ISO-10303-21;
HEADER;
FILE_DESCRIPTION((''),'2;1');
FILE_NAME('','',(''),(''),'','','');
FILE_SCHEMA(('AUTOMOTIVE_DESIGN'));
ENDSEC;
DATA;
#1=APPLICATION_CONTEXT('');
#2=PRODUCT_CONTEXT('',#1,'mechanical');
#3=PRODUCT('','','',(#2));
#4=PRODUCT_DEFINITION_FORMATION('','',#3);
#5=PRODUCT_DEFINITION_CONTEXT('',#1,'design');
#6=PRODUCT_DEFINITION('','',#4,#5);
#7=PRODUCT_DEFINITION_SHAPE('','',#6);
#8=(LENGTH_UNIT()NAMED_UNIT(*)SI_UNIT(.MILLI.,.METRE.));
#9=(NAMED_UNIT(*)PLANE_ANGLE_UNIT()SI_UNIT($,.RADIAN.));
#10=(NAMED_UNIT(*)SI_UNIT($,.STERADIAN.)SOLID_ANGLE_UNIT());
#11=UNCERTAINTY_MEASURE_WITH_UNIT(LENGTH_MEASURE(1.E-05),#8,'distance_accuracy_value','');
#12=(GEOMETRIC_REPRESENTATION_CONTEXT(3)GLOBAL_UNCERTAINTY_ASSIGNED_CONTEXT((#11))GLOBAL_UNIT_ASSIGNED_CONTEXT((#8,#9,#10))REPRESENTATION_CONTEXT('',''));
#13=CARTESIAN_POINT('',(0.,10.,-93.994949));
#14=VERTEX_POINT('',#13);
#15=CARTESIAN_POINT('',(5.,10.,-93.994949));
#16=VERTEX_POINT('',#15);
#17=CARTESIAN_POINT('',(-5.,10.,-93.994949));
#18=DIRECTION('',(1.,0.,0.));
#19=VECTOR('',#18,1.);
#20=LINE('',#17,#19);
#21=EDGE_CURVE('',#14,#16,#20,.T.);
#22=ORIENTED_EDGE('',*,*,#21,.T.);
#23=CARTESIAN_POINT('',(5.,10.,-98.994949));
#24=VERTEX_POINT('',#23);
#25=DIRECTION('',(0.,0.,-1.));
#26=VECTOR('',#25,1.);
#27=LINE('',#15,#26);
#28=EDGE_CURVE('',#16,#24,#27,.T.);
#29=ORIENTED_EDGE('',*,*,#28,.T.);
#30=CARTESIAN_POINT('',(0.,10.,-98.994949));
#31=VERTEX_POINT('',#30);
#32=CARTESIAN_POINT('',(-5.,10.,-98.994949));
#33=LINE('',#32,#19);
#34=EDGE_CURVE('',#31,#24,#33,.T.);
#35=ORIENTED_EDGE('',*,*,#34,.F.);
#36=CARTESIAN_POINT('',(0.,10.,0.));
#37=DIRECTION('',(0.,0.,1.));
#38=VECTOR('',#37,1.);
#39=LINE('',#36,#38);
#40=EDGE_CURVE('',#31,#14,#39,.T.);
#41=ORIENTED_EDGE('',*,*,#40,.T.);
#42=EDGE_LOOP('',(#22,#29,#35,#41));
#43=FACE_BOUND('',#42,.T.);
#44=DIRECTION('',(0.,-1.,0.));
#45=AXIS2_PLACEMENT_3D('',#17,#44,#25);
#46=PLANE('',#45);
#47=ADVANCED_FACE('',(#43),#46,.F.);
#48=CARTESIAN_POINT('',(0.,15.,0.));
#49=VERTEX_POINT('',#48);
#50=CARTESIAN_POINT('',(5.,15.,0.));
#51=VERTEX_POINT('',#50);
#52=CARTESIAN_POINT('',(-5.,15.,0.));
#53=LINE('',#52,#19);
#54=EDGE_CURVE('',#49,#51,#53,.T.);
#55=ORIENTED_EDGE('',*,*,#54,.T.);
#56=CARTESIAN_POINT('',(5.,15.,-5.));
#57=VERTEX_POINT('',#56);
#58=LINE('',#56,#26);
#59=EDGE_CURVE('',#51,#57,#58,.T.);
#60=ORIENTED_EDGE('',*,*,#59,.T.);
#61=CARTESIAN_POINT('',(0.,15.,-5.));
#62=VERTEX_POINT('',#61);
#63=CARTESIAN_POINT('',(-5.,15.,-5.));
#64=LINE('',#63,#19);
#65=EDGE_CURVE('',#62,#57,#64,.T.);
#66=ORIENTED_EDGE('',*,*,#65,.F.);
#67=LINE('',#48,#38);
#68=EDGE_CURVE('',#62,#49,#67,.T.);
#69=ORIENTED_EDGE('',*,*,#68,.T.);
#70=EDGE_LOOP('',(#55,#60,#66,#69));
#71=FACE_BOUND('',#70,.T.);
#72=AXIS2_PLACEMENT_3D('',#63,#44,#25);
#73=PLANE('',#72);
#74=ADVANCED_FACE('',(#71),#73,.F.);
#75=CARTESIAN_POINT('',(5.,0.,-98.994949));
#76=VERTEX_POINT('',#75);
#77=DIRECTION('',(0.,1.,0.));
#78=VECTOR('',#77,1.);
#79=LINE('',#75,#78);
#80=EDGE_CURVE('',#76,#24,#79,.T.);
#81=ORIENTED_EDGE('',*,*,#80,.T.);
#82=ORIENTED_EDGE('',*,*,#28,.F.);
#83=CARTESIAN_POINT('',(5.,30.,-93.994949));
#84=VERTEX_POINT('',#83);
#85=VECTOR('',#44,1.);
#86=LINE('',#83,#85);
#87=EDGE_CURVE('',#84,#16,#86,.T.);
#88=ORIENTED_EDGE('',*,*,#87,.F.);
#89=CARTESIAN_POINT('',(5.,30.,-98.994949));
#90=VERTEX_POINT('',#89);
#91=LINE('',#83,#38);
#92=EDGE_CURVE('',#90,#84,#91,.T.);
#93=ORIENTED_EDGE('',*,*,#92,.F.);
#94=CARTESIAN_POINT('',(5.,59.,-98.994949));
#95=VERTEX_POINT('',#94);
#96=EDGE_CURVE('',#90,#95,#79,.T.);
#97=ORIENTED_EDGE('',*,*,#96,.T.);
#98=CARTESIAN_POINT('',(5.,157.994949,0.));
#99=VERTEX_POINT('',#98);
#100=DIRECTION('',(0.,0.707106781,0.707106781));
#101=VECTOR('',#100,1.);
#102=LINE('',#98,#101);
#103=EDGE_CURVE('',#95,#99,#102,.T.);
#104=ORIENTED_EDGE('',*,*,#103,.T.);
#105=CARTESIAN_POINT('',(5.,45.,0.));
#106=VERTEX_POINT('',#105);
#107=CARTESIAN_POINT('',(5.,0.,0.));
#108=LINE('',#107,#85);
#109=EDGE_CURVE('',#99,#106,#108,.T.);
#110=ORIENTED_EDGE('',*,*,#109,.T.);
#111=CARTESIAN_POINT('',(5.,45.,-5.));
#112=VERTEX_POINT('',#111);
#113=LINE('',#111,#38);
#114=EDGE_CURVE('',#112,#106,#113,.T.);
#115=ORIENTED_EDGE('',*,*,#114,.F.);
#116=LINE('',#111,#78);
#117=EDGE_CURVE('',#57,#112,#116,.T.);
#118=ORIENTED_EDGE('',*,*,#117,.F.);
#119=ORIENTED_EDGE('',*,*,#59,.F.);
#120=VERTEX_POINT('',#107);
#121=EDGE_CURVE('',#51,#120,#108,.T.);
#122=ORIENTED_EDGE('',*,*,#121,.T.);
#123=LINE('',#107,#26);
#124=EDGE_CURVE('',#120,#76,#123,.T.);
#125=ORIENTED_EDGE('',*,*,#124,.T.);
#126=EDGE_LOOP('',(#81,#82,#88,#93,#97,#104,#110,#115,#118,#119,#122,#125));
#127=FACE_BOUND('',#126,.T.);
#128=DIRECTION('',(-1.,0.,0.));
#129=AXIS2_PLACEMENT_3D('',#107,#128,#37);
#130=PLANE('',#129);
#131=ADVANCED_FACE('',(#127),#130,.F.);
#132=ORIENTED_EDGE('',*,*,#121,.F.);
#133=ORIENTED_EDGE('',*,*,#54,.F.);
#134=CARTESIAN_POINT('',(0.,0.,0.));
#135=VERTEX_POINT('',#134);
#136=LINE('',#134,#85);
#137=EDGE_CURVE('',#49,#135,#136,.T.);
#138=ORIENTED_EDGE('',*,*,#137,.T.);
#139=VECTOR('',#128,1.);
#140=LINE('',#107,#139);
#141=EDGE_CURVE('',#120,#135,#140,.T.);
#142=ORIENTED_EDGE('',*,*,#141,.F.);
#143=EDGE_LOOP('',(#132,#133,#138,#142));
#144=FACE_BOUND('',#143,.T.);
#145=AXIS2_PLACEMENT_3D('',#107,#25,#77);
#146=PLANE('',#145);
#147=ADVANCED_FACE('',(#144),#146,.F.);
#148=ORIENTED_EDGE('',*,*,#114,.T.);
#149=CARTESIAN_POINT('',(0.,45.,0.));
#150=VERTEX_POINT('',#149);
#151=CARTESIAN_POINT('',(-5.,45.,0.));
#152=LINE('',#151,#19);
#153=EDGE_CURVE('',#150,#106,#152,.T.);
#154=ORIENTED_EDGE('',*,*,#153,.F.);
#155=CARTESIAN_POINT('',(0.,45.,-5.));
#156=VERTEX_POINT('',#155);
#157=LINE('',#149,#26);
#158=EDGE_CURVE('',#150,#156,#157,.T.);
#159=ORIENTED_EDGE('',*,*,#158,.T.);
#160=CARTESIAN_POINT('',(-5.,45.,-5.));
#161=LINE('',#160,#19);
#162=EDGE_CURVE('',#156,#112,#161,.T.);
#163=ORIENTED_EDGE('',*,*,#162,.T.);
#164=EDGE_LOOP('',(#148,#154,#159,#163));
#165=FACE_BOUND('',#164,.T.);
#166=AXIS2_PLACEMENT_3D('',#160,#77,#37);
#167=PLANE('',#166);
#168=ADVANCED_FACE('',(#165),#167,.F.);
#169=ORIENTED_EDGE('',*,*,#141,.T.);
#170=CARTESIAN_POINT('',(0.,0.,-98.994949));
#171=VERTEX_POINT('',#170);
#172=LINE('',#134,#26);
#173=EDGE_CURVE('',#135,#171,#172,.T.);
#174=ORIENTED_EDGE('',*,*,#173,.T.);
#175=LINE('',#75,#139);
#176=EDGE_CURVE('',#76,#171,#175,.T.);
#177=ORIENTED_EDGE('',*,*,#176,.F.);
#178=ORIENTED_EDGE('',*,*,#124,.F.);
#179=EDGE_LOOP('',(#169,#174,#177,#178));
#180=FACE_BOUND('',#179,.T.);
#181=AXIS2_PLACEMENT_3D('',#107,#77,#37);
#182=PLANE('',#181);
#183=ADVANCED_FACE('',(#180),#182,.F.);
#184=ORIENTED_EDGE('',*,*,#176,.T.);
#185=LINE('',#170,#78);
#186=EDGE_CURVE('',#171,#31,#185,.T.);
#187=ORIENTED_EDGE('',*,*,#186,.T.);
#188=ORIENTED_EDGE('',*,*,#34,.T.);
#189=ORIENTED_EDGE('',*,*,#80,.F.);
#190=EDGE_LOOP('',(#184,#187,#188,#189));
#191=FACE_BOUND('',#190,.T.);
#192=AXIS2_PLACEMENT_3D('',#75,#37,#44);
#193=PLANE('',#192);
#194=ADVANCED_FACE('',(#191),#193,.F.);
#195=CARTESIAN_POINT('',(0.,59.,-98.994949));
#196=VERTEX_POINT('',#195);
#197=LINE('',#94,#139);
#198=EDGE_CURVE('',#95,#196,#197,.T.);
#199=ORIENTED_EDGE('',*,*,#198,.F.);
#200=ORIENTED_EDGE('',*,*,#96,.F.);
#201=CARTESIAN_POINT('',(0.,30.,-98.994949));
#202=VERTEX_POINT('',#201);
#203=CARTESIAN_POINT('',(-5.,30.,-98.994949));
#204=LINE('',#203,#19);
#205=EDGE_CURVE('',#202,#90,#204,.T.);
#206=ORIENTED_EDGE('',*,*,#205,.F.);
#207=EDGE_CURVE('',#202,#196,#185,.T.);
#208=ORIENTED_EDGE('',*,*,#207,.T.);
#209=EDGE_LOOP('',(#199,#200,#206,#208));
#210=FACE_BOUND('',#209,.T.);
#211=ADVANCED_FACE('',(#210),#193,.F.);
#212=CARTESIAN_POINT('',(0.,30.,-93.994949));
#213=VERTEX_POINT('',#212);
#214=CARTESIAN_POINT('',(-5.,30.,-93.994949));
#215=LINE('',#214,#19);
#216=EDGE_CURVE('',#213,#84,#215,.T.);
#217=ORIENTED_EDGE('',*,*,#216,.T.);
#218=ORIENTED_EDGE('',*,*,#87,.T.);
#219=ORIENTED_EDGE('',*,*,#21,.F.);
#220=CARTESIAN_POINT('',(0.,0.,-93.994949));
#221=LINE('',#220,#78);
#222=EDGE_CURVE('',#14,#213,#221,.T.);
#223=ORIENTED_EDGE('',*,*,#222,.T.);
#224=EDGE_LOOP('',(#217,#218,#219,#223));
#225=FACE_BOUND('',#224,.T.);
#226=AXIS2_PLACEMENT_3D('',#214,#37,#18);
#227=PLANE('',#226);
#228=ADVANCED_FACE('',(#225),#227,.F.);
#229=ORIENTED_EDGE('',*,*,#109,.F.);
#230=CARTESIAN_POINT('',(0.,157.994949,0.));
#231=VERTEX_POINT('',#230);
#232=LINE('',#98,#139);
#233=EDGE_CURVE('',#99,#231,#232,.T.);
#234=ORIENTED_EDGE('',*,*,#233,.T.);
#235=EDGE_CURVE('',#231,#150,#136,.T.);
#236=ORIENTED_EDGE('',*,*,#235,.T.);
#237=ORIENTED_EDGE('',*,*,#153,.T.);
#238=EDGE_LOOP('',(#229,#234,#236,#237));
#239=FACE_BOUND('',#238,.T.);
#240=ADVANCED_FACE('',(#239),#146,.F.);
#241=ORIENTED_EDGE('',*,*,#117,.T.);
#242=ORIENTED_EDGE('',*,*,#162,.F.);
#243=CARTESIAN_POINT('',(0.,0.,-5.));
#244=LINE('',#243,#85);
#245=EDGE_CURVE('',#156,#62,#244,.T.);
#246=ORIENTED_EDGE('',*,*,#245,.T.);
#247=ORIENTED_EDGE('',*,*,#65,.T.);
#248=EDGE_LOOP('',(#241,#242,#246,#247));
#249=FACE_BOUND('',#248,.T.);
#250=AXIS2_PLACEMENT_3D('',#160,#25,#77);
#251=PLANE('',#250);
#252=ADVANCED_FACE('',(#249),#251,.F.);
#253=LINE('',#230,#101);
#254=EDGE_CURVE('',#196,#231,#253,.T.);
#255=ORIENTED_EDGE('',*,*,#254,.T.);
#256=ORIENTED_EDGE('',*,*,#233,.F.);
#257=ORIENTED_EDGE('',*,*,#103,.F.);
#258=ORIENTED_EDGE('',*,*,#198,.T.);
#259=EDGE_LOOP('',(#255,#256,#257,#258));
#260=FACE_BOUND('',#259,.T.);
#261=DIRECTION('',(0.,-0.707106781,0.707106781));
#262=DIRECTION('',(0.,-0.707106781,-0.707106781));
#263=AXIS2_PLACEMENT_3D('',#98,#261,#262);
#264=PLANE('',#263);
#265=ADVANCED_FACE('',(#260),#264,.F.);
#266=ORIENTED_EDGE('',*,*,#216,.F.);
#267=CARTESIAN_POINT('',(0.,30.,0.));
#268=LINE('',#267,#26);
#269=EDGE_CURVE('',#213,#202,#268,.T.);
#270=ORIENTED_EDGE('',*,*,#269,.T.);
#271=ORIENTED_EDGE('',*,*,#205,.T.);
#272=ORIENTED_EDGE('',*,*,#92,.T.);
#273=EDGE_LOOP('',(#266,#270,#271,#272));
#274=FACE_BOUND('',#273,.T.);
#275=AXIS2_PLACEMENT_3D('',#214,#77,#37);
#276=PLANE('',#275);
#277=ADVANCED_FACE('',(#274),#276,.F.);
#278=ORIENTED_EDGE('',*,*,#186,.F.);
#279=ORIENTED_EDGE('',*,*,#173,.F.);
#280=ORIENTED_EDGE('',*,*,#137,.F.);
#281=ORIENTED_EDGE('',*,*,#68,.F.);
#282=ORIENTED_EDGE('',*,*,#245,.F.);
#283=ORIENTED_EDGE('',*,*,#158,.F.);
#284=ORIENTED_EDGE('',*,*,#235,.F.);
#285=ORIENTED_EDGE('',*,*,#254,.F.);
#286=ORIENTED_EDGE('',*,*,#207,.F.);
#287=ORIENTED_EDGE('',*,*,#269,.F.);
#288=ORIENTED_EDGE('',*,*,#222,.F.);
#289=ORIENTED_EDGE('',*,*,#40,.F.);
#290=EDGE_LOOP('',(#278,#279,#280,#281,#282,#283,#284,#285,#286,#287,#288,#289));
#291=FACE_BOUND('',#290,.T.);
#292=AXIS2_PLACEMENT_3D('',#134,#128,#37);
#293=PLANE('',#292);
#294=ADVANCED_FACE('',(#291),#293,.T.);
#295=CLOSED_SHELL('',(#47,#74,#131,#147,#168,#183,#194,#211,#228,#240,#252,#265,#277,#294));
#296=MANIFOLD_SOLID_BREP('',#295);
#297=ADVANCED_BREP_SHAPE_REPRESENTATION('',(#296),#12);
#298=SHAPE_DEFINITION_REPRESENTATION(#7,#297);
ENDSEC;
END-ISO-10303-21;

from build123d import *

# Parameters (mm, degrees)
EXTRUDE_1_DEPTH     = 5
SKETCH_3_W          = 5
SKETCH_3_H          = 30
SKETCH_3_H_2        = 20
CUT_EXTRUDE_2_DEPTH = 10


with BuildPart() as part:
    # 스케치1 → 보스-돌출1 (new body)
    with BuildSketch(Plane(origin=(0, 0, 0), x_dir=(0, 0, -1), z_dir=(1, 0, 0))):
        Polygon((0, 0), (98.994949366, 0), (98.994949366, 59), (0, 157.994949366), align=None)
    extrude(amount=EXTRUDE_1_DEPTH)

    # 스케치3 → 컷-돌출2 (cut)
    with BuildSketch(Plane(origin=(5, 0, 0), x_dir=(0, 0, -1), z_dir=(1, 0, 0))):
        with Locations((2.5, 30)):
            Rectangle(SKETCH_3_W, SKETCH_3_H)
        with Locations((96.494949366, 20)):
            Rectangle(SKETCH_3_W, SKETCH_3_H_2)
    extrude(amount=-CUT_EXTRUDE_2_DEPTH, mode=Mode.SUBTRACT)


solid = part.part
